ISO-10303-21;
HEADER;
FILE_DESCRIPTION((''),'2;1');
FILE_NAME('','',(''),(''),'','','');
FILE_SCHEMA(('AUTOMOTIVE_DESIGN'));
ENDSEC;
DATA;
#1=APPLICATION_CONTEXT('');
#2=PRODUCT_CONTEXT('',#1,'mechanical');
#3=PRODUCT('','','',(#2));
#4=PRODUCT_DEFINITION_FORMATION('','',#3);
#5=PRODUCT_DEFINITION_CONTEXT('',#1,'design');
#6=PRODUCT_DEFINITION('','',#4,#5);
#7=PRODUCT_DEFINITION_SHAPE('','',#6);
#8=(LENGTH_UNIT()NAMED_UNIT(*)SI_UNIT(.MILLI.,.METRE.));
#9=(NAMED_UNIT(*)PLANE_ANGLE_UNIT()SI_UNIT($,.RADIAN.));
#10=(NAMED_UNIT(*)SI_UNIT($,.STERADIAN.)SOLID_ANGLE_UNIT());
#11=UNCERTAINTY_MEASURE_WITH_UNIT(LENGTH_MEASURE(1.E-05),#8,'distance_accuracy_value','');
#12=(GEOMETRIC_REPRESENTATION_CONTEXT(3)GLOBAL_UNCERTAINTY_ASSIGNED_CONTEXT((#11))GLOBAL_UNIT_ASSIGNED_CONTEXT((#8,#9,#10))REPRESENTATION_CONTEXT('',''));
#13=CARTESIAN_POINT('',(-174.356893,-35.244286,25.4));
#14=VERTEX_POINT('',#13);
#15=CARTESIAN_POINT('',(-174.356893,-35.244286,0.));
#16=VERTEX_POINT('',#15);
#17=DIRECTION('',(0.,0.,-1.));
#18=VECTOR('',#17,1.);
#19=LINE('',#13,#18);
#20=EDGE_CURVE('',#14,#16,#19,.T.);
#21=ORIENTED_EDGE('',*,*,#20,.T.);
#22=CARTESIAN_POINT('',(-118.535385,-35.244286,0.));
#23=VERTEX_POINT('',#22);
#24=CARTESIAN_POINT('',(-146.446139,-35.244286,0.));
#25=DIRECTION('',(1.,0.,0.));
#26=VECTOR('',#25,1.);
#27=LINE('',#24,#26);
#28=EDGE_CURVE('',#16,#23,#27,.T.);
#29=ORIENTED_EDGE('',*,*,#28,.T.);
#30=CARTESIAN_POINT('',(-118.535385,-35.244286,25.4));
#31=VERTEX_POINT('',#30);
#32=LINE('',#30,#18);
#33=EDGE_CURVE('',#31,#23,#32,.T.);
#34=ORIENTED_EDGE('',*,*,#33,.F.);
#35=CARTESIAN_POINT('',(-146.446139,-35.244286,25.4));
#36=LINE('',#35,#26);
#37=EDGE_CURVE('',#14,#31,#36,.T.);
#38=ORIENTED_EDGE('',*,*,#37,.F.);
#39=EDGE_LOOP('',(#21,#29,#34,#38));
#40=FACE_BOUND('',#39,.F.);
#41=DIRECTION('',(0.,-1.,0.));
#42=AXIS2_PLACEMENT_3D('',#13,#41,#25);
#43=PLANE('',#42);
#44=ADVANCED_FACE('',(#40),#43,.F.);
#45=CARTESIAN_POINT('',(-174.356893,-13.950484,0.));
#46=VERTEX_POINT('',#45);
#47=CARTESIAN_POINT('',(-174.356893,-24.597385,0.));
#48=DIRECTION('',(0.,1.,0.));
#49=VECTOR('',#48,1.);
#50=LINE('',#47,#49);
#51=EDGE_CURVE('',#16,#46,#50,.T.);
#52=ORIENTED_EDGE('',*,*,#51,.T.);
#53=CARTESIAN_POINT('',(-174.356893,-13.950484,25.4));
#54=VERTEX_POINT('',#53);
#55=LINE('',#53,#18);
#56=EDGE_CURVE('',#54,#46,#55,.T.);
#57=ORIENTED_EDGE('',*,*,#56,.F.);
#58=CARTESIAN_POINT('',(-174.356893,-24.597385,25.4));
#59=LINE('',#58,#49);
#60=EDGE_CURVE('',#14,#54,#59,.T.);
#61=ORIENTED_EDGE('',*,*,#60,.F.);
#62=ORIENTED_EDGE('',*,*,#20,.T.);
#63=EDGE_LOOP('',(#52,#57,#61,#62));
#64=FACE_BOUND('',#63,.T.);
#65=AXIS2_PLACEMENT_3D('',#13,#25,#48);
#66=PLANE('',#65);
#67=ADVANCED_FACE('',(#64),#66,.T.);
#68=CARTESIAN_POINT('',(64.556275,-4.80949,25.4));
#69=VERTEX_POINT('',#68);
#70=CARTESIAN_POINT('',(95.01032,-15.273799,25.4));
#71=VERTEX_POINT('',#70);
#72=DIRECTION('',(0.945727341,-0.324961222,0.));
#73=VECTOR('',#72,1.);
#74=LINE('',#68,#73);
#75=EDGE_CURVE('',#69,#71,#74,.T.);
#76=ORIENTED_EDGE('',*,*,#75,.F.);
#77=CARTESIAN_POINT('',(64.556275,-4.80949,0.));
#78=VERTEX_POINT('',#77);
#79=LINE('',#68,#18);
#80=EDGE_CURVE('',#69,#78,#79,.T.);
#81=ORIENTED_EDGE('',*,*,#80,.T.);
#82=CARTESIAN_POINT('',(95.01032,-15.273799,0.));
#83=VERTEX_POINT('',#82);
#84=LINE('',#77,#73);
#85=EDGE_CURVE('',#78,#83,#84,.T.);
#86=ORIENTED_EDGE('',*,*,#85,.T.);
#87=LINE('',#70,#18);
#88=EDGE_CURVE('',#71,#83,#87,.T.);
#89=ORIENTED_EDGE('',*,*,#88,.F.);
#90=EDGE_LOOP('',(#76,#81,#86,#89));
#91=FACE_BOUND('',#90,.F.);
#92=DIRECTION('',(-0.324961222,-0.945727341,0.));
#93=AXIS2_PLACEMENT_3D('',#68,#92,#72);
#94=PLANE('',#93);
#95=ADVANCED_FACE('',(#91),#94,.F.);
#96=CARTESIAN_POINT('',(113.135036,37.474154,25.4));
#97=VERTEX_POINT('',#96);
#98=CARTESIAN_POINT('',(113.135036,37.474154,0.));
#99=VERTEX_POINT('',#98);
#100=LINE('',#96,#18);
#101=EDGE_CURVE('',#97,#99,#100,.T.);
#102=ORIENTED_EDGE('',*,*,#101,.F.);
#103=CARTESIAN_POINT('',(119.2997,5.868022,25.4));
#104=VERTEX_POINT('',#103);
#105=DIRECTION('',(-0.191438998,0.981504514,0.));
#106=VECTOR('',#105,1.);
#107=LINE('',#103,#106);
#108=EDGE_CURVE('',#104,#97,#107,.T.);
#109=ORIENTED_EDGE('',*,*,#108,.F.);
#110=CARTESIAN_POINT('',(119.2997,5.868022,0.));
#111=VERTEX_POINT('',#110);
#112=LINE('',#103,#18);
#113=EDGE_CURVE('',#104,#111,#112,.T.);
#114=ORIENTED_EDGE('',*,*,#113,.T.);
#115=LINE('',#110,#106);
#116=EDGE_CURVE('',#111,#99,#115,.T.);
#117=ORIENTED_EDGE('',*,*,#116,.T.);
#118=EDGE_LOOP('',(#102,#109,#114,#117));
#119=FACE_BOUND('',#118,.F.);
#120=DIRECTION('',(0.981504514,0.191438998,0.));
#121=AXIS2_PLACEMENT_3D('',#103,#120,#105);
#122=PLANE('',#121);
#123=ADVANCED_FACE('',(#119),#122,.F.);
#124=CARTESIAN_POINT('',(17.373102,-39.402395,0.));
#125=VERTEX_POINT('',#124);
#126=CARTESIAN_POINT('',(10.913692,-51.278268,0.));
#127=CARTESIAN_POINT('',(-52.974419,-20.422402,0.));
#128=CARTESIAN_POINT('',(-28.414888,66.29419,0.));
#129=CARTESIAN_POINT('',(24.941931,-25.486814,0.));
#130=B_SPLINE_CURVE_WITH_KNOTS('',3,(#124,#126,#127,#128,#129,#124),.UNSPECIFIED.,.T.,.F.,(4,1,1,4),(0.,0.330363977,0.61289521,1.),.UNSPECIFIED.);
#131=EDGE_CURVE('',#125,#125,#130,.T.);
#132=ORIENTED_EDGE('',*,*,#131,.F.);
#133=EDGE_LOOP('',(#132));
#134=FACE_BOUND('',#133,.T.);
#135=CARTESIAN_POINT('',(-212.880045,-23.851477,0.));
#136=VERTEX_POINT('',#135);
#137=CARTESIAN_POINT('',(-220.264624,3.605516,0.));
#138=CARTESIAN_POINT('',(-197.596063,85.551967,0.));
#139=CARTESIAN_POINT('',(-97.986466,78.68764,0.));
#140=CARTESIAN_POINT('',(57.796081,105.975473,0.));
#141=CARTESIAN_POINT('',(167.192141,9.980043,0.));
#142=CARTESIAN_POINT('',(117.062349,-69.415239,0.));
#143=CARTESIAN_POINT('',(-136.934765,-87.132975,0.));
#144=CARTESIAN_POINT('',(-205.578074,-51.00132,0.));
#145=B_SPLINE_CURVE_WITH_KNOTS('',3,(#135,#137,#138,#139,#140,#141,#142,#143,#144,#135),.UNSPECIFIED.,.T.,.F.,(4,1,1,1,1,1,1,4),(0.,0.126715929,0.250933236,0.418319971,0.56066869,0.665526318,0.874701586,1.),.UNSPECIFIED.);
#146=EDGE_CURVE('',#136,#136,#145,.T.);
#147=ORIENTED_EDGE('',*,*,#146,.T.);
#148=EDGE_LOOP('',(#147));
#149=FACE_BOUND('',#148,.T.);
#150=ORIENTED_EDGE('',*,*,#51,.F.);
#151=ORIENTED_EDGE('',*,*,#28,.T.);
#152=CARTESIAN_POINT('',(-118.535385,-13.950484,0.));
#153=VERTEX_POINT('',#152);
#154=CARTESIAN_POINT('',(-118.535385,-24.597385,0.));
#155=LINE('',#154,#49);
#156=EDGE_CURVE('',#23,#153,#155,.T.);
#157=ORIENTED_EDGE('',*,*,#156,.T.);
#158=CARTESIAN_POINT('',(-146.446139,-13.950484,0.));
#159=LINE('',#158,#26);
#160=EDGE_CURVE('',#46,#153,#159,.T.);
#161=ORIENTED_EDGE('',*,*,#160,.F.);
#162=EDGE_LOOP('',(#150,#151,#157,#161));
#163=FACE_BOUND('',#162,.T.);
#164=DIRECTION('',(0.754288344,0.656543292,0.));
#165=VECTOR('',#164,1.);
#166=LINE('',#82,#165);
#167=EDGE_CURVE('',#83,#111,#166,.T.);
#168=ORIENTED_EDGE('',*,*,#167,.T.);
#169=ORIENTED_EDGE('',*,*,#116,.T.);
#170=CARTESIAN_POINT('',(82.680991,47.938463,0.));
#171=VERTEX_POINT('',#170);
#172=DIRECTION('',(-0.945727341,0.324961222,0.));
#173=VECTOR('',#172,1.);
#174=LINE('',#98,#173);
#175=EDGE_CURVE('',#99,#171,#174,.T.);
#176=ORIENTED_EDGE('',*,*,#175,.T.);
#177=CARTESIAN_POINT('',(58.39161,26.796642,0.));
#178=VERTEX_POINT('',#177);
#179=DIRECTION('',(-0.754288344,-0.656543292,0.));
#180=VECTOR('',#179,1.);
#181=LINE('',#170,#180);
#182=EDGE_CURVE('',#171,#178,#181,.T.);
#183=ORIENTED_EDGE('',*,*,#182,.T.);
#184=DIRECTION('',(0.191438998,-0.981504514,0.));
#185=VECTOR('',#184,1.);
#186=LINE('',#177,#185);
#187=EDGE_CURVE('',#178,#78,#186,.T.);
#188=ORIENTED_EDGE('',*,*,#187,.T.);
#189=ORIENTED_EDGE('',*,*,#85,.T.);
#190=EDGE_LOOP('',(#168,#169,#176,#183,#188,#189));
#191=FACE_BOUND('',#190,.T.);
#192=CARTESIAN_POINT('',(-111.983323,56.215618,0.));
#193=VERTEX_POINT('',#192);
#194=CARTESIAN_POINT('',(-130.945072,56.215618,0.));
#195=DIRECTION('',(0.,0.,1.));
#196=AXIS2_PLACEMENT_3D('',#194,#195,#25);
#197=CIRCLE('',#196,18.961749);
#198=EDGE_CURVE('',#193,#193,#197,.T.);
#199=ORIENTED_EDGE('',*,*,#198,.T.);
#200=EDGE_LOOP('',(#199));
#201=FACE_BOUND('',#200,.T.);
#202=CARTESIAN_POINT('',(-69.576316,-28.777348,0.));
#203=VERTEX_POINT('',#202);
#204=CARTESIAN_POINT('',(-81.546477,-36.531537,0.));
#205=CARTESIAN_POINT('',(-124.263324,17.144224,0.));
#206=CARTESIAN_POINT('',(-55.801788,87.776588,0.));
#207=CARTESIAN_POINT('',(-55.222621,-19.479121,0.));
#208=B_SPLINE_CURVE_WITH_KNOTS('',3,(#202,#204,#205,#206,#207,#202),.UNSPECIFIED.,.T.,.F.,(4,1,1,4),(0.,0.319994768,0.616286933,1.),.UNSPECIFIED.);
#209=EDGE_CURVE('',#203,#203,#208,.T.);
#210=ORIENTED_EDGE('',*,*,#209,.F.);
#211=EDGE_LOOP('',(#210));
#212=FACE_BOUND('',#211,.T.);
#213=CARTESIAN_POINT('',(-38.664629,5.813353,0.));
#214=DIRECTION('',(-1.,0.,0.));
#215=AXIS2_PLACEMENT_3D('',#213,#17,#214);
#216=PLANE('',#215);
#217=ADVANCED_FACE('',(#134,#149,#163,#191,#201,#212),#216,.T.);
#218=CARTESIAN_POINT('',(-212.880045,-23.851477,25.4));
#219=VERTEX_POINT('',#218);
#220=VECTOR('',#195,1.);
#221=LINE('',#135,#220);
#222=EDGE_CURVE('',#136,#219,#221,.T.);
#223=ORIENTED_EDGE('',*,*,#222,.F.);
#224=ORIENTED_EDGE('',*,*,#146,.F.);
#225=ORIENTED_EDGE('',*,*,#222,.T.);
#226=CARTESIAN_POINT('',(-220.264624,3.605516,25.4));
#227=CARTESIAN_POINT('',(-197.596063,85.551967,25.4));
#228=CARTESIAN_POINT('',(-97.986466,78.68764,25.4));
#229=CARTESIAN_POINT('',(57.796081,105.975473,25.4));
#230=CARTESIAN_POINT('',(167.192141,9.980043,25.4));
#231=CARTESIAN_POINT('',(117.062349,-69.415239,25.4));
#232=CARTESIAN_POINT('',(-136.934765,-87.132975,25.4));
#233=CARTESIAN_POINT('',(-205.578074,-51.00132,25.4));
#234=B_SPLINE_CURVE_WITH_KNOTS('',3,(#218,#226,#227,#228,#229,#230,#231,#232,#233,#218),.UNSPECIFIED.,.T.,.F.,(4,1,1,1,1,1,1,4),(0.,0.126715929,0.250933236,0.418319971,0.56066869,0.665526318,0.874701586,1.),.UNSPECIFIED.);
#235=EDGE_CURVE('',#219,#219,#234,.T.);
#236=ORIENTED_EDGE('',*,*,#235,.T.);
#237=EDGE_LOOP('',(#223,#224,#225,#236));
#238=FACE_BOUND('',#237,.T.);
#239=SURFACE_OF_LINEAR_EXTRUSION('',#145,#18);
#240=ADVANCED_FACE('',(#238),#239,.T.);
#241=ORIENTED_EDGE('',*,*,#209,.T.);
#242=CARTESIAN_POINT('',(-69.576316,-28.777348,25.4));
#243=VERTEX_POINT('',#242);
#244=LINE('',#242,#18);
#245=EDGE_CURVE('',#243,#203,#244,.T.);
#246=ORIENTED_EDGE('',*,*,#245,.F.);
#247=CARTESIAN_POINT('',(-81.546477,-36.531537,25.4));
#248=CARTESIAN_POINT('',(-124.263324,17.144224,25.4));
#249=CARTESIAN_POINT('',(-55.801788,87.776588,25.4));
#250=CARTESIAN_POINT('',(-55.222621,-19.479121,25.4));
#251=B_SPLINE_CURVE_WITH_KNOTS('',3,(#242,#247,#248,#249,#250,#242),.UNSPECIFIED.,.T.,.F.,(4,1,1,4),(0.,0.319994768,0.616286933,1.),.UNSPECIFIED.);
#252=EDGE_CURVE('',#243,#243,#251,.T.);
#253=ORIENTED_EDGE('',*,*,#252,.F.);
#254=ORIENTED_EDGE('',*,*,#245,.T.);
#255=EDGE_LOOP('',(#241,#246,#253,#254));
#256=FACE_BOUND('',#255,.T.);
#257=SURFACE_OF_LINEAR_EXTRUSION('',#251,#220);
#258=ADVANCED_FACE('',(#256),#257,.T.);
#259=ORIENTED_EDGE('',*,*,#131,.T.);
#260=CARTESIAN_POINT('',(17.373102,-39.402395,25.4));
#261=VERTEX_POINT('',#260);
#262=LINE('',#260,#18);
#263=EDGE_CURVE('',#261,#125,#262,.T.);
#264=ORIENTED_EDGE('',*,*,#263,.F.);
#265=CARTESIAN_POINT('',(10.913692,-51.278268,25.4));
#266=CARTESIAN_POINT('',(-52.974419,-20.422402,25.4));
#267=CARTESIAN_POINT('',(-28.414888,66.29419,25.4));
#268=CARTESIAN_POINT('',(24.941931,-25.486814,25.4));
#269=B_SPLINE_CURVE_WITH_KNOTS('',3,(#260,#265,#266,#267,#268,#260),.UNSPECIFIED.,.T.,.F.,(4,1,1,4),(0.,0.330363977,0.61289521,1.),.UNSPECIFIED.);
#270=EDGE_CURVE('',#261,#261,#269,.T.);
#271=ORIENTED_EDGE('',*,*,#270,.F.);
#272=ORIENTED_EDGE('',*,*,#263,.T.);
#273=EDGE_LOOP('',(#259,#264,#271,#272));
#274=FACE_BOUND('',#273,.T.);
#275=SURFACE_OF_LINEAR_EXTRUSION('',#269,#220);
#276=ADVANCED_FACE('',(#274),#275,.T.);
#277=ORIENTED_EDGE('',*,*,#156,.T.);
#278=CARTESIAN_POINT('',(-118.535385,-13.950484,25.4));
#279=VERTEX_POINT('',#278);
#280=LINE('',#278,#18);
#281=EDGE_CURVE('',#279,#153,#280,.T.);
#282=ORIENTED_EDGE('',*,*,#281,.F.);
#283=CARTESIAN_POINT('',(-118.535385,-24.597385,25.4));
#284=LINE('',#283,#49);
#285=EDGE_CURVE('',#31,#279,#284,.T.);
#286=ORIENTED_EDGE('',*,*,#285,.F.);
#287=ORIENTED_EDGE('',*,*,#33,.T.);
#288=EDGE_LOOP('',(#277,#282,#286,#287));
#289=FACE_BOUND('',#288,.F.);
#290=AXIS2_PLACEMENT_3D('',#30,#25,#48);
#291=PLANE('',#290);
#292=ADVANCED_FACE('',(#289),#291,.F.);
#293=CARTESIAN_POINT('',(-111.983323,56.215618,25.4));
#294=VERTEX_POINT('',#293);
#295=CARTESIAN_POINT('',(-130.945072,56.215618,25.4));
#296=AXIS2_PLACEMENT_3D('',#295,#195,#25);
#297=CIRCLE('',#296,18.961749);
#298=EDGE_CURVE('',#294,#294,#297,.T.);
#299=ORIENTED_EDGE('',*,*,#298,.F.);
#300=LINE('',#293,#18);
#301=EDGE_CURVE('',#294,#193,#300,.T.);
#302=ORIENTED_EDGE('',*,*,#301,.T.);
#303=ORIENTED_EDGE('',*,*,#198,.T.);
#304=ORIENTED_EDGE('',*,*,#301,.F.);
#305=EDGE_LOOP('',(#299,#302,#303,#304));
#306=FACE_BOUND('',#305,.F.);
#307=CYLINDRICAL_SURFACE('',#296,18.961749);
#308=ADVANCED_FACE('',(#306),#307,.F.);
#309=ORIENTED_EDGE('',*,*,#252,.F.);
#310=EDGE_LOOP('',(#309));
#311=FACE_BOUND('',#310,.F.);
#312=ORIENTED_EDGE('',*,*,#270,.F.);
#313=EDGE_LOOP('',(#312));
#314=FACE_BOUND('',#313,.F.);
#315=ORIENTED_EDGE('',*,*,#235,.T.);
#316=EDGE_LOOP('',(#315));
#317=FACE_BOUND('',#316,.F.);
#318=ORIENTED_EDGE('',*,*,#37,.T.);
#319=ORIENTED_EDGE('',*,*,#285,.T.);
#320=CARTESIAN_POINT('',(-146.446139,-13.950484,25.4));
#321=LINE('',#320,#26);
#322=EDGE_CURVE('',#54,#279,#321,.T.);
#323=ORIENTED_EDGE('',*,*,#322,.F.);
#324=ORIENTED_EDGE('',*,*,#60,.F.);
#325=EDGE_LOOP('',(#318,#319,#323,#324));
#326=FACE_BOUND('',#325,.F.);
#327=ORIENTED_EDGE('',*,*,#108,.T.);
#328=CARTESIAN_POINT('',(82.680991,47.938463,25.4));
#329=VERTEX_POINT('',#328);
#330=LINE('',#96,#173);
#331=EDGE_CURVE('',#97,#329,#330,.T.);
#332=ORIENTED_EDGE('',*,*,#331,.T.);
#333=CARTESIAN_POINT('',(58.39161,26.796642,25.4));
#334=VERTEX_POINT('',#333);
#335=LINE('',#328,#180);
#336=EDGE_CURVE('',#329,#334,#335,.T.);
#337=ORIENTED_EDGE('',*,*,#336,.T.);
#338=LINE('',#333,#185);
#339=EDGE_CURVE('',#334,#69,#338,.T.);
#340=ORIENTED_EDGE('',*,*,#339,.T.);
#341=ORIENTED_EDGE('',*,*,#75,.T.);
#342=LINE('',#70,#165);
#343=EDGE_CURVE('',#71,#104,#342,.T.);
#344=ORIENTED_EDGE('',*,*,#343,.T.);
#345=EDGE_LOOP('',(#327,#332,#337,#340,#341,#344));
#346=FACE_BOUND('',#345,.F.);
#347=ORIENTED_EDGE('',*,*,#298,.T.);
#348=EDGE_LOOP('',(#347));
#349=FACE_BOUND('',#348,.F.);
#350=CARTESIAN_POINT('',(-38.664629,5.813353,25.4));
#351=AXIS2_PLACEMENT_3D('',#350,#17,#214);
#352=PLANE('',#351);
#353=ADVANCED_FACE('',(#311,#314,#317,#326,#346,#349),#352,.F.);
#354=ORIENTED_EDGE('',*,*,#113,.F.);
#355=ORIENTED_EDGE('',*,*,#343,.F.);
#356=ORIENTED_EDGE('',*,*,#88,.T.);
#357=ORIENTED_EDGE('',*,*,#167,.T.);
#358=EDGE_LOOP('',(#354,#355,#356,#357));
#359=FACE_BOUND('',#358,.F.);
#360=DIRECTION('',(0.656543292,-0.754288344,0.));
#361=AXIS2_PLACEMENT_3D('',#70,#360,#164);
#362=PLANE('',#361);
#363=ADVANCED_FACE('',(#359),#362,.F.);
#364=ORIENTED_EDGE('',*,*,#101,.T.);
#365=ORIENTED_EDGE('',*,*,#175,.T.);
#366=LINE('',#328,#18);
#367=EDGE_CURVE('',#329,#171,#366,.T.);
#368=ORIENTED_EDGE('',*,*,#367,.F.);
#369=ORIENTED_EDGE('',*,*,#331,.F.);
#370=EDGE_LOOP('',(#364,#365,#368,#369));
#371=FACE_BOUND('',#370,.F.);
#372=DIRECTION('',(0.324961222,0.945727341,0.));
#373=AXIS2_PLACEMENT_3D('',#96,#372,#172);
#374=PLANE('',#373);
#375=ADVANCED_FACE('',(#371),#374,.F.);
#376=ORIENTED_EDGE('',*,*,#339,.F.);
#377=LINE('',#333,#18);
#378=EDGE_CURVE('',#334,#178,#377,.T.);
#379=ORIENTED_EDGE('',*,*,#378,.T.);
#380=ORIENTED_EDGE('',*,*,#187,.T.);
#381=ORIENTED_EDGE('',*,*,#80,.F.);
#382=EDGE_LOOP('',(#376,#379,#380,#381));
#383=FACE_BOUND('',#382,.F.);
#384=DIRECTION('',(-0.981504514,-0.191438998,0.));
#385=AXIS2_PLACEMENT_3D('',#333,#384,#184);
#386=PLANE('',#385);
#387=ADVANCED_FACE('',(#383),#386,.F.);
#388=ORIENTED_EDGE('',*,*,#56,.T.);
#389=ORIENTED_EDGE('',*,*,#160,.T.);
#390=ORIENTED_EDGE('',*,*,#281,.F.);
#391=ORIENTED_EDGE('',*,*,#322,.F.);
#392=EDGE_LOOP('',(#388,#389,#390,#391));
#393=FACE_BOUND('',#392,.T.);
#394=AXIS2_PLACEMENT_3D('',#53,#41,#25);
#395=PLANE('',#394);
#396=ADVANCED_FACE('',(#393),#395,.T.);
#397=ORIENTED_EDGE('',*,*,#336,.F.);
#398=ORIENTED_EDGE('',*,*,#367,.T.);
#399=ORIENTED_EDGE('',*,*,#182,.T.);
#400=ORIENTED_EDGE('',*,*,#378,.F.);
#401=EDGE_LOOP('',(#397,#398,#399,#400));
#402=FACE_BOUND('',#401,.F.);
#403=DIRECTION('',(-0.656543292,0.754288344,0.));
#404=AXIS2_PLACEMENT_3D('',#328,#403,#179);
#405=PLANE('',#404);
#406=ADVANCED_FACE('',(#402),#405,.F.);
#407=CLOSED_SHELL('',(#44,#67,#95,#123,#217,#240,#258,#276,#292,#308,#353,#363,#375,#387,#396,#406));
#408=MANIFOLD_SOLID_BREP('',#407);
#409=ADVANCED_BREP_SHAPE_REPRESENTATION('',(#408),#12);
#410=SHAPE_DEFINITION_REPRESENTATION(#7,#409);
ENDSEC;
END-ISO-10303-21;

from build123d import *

# Parameters (mm, degrees)
F1_DEPTH = 25.4
F2_W     = 55.8215081692
F2_H     = 21.2938021868
F2_R     = 18.9617490653
F3_DEPTH = 25.4


with BuildPart() as f1:
    # F0 (on Top) → F1 (new body)
    with BuildSketch(Plane.XY):
        with BuildLine():
            add(Edge.make_bspline(
                [(-212.8800451756, -23.8514766097), (-220.2646241655, 3.6055158174), (-197.59606302, 85.5519672276), (-97.9864656561, 78.6876396627), (57.7960807654, 105.9754730275), (167.1921411147, 9.9800425497), (117.0623492011, -69.4152393009), (-136.9347653932, -87.1329753634), (-205.5780742189, -51.0013197534), (-212.8800451756, -23.8514766097)],
                knots=[0, 0, 0, 0, 0.1267159289, 0.2509332358, 0.418319971, 0.5606686901, 0.665526318, 0.8747015864, 1, 1, 1, 1], degree=3))
        make_face()
    extrude(amount=F1_DEPTH)

    # F2 (on face) → F3 (cut)
    with BuildSketch(Plane.XY.offset(25.4)):
        with Locations((-146.4461386204, -24.5973849669)):
            Rectangle(F2_W, F2_H)
        Polygon((82.6809907431, 47.938463431), (58.3916103368, 26.7966416067), (64.5562749158, -4.8094897794), (95.010319901, -15.2737993413), (119.2997003073, 5.868022483), (113.1350357283, 37.4741538691), align=None)
        with Locations((-130.945071578, 56.2156178057)):
            Circle(F2_R)
        with BuildLine():
            add(Edge.make_bspline(
                [(-69.5763155818, -28.7773478776), (-81.5464765011, -36.5315373372), (-124.2633240856, 17.1442236067), (-55.8017880553, 87.7765880491), (-55.2226210249, -19.4791214136), (-69.5763155818, -28.7773478776)],
                knots=[0, 0, 0, 0, 0.3199947682, 0.6162869327, 1, 1, 1, 1], degree=3))
        make_face()
        with BuildLine():
            add(Edge.make_bspline(
                [(17.3731017858, -39.4023954868), (10.9136920024, -51.2782675377), (-52.9744192712, -20.4224019045), (-28.4148878956, 66.2941901318), (24.9419308264, -25.4868136806), (17.3731017858, -39.4023954868)],
                knots=[0, 0, 0, 0, 0.3303639771, 0.6128952105, 1, 1, 1, 1], degree=3))
        make_face()
    extrude(amount=-F3_DEPTH, mode=Mode.SUBTRACT)


solid = f1.part
